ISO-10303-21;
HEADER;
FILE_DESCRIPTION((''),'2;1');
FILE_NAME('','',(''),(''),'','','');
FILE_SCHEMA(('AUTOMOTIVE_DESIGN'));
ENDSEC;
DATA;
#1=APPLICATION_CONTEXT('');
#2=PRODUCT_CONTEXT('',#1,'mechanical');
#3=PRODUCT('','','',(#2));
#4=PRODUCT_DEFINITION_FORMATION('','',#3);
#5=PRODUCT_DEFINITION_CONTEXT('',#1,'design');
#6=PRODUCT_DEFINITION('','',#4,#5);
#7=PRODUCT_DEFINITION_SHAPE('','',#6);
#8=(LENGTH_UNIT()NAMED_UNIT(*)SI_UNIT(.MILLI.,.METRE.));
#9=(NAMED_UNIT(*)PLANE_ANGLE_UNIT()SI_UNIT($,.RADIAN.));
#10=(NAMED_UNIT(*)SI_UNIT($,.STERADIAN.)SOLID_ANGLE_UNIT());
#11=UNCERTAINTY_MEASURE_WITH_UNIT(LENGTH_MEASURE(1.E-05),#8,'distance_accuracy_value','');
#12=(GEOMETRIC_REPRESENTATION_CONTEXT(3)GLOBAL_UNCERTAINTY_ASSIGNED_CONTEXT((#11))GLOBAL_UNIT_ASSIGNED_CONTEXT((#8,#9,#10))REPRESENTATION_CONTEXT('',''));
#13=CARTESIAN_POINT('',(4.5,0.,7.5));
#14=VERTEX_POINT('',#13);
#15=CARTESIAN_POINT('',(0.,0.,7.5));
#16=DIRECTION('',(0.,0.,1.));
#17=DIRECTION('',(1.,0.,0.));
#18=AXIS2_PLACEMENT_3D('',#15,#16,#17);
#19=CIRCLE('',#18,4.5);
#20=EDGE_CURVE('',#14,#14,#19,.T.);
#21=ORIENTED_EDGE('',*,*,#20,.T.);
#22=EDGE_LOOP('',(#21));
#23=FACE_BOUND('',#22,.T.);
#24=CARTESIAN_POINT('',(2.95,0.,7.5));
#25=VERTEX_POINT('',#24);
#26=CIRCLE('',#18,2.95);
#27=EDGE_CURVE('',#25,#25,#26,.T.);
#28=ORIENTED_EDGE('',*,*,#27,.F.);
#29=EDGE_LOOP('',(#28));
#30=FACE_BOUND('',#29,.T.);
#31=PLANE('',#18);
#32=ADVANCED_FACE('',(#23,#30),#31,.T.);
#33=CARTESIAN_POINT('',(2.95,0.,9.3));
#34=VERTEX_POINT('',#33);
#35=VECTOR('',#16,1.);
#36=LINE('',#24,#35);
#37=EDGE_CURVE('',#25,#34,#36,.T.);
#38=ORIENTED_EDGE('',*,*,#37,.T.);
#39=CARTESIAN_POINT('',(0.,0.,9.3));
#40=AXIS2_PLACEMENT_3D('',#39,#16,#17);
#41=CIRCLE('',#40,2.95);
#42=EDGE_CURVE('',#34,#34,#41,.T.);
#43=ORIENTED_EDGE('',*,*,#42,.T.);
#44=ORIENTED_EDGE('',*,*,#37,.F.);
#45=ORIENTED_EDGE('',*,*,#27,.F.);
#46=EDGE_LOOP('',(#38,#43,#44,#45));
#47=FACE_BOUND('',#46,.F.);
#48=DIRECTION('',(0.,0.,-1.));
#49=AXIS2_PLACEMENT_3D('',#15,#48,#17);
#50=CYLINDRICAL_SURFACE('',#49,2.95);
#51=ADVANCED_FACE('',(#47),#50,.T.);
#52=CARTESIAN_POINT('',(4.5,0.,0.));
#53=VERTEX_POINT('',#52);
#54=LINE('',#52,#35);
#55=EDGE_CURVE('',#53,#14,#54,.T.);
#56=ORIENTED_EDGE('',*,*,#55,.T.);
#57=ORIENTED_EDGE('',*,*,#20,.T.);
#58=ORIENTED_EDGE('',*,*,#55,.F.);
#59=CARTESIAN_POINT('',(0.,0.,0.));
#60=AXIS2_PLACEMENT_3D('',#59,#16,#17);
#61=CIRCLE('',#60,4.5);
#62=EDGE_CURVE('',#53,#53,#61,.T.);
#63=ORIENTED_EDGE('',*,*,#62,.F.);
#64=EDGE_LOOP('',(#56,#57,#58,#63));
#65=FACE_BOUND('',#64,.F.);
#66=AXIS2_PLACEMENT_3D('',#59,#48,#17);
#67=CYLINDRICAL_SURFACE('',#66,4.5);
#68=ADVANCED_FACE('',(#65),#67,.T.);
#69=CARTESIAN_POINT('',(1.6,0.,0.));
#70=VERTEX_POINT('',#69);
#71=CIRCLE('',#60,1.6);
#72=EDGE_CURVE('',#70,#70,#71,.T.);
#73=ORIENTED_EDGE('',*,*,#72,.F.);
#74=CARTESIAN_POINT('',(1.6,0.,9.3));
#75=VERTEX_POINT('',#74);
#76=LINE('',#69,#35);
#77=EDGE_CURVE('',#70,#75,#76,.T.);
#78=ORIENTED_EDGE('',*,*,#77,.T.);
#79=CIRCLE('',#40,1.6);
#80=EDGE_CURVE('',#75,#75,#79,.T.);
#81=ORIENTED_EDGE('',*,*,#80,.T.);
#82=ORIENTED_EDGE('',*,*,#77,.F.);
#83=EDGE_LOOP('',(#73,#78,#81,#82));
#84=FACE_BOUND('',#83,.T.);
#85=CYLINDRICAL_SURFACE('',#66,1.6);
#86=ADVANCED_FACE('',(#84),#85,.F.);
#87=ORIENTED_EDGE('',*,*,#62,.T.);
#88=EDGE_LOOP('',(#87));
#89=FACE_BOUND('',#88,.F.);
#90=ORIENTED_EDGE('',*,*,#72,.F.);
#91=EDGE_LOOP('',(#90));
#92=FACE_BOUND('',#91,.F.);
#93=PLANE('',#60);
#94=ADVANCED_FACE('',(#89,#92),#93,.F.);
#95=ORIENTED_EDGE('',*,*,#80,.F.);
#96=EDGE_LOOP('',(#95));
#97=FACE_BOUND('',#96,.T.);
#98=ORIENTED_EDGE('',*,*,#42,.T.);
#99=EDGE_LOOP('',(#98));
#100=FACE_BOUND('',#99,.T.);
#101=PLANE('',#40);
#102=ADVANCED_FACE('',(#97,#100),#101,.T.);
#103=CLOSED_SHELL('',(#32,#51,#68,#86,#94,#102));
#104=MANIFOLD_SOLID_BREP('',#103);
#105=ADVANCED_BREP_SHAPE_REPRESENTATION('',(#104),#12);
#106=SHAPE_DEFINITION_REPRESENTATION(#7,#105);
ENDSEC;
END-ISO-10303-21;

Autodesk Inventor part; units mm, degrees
ref_plane "YZ Plane" through (0, 0, 0) normal (1, 0, 0) x (0, 1, 0)
ref_plane "XZ Plane" through (0, 0, 0) normal (0, 1, 0) x (-1, 0, 0)
ref_plane "XY Plane" through (0, 0, 0) normal (0, 0, 1) x (1, 0, 0)
sketch "Sketch1" plane through (0, 0, 0) normal (0, 0, 1) x (1, 0, 0)
  circle A0 centre (0, 0) radius 1.6
  circle A1 centre (0, 0) radius 4.5
  dimension "d0" = 3.2
  dimension "d1" = 9
extrude "Extrusion1" add sketch "Sketch1" along normal blind 7.5
sketch "Sketch2" plane through (0, 0, 7.5) normal (0, 0, 1) x (1, 0, 0)
  circle A0 centre (0, 0) radius 1.6 projected
  circle A1 centre (0, 0) radius 2.95
  dimension "d4" = 5.9
extrude "Extrusion2" add sketch "Sketch2" along normal blind 1.8
properties part number "spacer 6mmx7_5mm"
